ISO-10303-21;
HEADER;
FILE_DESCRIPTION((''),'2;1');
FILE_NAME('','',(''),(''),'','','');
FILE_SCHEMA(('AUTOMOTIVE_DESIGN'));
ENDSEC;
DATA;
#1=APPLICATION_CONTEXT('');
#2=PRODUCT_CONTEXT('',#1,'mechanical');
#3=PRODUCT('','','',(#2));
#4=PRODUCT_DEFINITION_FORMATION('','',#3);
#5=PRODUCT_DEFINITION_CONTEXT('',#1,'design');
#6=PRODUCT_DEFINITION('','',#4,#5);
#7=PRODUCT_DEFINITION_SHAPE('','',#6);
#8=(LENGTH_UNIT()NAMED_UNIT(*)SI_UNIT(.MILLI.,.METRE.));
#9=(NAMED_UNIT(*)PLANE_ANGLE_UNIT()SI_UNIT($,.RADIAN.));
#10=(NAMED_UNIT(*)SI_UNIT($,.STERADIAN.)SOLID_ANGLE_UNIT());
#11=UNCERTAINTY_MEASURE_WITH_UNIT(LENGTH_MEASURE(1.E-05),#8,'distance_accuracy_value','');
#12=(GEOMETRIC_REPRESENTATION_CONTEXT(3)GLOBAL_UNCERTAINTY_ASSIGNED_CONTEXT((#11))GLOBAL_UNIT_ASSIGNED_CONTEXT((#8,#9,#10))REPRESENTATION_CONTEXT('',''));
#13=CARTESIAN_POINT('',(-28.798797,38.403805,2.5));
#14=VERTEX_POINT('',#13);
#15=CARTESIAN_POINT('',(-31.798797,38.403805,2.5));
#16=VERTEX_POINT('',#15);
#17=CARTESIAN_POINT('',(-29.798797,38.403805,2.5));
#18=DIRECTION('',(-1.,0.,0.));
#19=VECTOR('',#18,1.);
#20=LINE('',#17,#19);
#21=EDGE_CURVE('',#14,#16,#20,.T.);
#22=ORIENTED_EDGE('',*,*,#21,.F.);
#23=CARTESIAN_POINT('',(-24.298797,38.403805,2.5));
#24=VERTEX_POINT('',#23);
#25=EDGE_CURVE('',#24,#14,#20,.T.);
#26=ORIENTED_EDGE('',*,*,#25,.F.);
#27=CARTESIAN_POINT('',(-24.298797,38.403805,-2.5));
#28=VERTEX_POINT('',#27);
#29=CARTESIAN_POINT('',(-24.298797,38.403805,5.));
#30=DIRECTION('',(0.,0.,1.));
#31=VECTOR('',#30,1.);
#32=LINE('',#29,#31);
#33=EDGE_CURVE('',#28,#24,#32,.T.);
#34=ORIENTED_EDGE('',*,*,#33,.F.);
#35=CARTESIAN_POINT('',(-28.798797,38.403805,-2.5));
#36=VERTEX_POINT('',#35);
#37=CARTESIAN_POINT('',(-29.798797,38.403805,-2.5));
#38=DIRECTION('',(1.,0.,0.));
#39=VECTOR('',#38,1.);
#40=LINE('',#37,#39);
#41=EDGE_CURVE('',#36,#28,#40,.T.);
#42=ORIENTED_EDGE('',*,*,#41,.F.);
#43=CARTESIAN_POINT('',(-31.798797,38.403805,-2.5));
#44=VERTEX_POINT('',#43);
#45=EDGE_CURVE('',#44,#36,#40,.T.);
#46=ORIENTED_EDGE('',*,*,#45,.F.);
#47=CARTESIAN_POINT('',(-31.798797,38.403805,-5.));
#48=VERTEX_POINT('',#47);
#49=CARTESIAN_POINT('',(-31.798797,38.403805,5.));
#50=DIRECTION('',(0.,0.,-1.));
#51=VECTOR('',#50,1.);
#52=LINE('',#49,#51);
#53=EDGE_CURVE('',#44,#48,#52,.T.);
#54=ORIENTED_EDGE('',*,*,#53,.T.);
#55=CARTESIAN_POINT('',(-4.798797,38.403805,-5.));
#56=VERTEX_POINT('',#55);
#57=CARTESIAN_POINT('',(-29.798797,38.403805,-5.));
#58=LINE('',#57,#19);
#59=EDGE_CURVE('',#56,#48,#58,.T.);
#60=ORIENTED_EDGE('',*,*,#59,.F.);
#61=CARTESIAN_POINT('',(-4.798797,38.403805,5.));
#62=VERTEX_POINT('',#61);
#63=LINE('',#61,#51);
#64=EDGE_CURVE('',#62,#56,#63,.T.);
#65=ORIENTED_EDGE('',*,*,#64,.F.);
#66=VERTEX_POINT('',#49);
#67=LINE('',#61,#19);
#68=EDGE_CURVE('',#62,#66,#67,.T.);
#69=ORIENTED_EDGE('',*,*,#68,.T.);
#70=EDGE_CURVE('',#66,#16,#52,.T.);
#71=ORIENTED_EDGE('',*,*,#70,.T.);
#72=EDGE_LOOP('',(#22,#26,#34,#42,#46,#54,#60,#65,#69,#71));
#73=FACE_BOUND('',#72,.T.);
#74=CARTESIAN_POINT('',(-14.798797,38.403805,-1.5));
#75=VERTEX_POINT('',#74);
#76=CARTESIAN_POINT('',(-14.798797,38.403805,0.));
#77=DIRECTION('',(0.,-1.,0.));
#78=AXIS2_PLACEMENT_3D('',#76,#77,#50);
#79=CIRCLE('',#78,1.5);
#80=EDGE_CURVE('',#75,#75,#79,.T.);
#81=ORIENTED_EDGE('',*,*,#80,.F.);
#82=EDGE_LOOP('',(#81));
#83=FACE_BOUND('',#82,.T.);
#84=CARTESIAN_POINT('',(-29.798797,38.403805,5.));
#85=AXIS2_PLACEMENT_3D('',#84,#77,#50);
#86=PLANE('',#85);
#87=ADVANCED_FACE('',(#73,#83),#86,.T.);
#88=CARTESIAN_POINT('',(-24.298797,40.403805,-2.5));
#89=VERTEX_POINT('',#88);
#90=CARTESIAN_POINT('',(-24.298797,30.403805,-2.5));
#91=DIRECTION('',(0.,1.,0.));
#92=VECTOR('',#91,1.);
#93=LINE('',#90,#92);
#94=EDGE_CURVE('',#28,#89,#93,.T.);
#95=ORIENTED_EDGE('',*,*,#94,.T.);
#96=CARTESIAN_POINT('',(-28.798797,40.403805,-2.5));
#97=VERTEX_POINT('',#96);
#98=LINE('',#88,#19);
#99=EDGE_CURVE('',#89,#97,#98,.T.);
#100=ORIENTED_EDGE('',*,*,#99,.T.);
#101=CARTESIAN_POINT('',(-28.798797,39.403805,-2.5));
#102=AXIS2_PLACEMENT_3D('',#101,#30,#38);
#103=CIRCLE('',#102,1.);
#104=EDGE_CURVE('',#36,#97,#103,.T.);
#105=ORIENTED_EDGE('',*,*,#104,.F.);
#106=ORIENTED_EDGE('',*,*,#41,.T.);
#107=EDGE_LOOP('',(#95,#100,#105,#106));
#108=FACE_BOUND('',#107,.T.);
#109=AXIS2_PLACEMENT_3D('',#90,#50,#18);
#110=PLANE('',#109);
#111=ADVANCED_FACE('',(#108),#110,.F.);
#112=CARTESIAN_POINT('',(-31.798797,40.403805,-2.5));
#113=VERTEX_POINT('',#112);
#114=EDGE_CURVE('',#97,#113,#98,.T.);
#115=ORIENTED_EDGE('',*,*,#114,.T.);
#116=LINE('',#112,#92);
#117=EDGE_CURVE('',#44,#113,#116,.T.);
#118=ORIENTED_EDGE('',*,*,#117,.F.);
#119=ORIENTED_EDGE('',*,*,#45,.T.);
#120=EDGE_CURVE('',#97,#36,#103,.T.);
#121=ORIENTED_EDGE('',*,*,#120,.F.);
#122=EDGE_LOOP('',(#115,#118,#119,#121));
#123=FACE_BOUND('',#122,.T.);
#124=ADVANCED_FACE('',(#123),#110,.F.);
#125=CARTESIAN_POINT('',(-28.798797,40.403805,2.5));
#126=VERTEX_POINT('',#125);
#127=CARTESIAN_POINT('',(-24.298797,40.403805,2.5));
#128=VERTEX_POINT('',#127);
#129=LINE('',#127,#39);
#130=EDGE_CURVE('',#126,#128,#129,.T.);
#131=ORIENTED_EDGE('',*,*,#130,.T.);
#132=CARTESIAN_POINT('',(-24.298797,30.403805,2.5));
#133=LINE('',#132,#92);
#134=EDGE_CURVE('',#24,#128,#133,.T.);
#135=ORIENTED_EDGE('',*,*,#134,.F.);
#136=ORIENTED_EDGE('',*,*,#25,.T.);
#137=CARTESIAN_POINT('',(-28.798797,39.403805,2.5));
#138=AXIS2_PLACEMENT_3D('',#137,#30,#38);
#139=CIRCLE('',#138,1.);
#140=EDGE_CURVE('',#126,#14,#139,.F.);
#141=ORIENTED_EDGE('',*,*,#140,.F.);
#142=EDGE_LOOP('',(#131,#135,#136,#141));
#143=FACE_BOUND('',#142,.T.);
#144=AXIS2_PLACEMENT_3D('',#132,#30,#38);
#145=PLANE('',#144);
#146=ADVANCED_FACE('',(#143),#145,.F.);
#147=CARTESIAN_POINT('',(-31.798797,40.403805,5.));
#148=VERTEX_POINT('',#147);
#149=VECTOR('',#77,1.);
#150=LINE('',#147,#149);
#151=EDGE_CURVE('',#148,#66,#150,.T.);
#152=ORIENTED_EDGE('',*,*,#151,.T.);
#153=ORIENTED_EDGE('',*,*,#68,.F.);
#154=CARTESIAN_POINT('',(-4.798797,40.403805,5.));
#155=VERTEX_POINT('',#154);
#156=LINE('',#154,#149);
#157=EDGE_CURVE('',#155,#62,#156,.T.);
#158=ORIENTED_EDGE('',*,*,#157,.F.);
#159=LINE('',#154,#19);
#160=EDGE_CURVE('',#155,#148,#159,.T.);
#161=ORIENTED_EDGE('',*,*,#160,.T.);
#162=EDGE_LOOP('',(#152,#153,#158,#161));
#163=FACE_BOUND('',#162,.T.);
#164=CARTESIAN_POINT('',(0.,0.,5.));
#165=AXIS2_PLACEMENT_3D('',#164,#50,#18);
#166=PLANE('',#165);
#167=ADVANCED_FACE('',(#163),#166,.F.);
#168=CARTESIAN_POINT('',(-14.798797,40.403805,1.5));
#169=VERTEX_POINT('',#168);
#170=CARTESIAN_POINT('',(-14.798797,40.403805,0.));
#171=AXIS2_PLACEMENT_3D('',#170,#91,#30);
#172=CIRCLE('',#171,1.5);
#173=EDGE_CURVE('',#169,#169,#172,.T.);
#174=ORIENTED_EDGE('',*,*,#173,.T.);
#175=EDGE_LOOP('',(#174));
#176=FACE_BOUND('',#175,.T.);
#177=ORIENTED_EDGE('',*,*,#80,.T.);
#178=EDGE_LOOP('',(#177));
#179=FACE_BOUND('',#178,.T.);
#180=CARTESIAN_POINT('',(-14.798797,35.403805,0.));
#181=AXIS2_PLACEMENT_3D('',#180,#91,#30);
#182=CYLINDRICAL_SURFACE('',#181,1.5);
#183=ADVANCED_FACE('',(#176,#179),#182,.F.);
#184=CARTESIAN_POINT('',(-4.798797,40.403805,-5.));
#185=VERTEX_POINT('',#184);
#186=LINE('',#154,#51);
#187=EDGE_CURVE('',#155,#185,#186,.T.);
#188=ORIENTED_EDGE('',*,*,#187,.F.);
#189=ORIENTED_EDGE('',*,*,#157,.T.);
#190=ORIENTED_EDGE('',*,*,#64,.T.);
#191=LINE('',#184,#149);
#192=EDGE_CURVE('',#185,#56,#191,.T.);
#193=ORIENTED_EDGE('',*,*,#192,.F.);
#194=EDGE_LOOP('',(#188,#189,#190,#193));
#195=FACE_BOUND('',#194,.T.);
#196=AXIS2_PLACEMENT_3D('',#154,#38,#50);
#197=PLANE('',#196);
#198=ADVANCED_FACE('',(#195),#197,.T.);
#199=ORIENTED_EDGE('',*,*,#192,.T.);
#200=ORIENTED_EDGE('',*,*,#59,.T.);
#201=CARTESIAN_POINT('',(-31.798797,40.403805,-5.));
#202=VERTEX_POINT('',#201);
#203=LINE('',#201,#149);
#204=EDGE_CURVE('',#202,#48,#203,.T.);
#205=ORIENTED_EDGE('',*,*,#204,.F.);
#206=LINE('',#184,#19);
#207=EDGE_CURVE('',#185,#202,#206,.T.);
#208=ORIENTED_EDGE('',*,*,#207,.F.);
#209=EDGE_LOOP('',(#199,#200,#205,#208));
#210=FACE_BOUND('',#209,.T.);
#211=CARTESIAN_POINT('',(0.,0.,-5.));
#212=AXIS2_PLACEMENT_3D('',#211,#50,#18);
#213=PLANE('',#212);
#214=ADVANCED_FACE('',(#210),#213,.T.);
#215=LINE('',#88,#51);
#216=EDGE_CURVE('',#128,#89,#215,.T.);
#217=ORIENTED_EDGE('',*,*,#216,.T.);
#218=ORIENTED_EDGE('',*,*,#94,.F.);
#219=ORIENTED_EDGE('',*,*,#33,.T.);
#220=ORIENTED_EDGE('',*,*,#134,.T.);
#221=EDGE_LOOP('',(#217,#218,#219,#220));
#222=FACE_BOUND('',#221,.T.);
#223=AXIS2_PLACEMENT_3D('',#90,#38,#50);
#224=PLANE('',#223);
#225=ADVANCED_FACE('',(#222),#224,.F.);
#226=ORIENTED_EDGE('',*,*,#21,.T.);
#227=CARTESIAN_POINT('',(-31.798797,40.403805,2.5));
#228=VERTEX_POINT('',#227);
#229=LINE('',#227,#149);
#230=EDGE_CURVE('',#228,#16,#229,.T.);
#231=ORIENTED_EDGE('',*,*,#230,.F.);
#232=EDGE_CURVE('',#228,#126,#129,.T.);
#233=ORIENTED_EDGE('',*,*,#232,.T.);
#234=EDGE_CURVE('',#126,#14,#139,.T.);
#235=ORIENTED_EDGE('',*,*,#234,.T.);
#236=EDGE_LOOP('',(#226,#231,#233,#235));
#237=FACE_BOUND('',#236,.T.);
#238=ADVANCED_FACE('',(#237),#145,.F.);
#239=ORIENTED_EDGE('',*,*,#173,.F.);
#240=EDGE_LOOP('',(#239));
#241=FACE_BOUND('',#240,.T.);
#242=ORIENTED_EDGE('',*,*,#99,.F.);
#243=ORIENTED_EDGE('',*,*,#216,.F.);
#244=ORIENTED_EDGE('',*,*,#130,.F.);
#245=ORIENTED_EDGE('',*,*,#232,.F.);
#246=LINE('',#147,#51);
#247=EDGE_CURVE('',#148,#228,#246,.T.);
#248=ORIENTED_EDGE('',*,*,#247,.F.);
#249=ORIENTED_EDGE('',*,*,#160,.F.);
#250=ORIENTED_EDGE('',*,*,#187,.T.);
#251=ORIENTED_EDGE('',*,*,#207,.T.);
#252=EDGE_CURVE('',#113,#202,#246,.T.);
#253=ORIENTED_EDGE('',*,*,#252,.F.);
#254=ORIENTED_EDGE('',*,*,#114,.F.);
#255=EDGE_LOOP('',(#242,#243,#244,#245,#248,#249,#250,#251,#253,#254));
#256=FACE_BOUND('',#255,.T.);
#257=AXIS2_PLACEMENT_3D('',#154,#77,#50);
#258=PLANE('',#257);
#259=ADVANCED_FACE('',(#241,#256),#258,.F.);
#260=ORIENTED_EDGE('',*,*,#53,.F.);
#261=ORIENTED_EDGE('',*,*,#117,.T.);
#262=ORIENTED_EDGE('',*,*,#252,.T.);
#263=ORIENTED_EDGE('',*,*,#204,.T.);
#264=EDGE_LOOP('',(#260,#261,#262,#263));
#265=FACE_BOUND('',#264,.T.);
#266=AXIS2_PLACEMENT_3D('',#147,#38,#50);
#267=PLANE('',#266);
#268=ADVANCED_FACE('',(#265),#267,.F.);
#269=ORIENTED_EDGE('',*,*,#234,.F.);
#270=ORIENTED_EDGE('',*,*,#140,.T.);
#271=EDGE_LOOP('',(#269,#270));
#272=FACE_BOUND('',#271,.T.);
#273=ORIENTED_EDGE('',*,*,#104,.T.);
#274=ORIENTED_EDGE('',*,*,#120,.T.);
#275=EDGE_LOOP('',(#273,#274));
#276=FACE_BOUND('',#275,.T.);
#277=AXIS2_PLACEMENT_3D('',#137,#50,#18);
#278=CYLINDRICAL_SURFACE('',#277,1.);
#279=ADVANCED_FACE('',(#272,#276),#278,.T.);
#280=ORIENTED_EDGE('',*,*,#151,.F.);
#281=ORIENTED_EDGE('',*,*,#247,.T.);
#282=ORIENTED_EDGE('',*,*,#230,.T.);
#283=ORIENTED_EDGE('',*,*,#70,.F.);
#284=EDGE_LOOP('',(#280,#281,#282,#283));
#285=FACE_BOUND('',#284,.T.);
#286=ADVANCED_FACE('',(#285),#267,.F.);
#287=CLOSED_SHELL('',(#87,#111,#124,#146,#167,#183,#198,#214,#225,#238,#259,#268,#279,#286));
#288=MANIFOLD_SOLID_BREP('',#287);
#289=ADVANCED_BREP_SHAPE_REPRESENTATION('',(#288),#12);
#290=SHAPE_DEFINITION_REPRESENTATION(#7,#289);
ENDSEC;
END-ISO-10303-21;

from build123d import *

# Parameters (mm, degrees)
Y_KSEKLIK_EKSTR_ZYON1_DEPTH = 5
IZIM2_W                     = 15
IZIM2_H                     = 5
KES_EKSTR_ZYON1_DEPTH       = 10
IZIM4_R                     = 1
Y_KSEKLIK_EKSTR_ZYON2_DEPTH = 2.5
IZIM5_R                     = 1.5
KES_EKSTR_ZYON2_DEPTH       = 5


with BuildPart() as part:
    # Çizim1 → Yükseklik-Ekstrüzyon1 (new body, symmetric)
    with BuildSketch(Plane.XY):
        Polygon((-29.798797212, 38.403805497), (-4.798797212, 38.403805497), (-4.798797212, 40.403805497), (-31.798797212, 40.403805497), (-31.798797212, 38.403805497), align=None)
    extrude(amount=Y_KSEKLIK_EKSTR_ZYON1_DEPTH, both=True)

    # Çizim2 → Kes-Ekstrüzyon1 (cut)
    with BuildSketch(Plane(origin=(0, 40.403805497, 0), x_dir=(1, 0, 0), z_dir=(0, 1, 0))):
        with Locations((-31.798797212, 0)):
            Rectangle(IZIM2_W, IZIM2_H)
    extrude(amount=-KES_EKSTR_ZYON1_DEPTH, mode=Mode.SUBTRACT)

    # Çizim4 → Yükseklik-Ekstrüzyon2 (add, symmetric)
    with BuildSketch(Plane.XY):
        with Locations((-28.798797212, 39.403805497)):
            Circle(IZIM4_R)
    extrude(amount=Y_KSEKLIK_EKSTR_ZYON2_DEPTH, both=True)

    # Çizim5 → Kes-Ekstrüzyon2 (cut)
    with BuildSketch(Plane(origin=(0, 40.403805497, 0), x_dir=(1, 0, 0), z_dir=(0, 1, 0))):
        with Locations((-14.798797212, 0)):
            Circle(IZIM5_R)
    extrude(amount=-KES_EKSTR_ZYON2_DEPTH, mode=Mode.SUBTRACT)


solid = part.part
